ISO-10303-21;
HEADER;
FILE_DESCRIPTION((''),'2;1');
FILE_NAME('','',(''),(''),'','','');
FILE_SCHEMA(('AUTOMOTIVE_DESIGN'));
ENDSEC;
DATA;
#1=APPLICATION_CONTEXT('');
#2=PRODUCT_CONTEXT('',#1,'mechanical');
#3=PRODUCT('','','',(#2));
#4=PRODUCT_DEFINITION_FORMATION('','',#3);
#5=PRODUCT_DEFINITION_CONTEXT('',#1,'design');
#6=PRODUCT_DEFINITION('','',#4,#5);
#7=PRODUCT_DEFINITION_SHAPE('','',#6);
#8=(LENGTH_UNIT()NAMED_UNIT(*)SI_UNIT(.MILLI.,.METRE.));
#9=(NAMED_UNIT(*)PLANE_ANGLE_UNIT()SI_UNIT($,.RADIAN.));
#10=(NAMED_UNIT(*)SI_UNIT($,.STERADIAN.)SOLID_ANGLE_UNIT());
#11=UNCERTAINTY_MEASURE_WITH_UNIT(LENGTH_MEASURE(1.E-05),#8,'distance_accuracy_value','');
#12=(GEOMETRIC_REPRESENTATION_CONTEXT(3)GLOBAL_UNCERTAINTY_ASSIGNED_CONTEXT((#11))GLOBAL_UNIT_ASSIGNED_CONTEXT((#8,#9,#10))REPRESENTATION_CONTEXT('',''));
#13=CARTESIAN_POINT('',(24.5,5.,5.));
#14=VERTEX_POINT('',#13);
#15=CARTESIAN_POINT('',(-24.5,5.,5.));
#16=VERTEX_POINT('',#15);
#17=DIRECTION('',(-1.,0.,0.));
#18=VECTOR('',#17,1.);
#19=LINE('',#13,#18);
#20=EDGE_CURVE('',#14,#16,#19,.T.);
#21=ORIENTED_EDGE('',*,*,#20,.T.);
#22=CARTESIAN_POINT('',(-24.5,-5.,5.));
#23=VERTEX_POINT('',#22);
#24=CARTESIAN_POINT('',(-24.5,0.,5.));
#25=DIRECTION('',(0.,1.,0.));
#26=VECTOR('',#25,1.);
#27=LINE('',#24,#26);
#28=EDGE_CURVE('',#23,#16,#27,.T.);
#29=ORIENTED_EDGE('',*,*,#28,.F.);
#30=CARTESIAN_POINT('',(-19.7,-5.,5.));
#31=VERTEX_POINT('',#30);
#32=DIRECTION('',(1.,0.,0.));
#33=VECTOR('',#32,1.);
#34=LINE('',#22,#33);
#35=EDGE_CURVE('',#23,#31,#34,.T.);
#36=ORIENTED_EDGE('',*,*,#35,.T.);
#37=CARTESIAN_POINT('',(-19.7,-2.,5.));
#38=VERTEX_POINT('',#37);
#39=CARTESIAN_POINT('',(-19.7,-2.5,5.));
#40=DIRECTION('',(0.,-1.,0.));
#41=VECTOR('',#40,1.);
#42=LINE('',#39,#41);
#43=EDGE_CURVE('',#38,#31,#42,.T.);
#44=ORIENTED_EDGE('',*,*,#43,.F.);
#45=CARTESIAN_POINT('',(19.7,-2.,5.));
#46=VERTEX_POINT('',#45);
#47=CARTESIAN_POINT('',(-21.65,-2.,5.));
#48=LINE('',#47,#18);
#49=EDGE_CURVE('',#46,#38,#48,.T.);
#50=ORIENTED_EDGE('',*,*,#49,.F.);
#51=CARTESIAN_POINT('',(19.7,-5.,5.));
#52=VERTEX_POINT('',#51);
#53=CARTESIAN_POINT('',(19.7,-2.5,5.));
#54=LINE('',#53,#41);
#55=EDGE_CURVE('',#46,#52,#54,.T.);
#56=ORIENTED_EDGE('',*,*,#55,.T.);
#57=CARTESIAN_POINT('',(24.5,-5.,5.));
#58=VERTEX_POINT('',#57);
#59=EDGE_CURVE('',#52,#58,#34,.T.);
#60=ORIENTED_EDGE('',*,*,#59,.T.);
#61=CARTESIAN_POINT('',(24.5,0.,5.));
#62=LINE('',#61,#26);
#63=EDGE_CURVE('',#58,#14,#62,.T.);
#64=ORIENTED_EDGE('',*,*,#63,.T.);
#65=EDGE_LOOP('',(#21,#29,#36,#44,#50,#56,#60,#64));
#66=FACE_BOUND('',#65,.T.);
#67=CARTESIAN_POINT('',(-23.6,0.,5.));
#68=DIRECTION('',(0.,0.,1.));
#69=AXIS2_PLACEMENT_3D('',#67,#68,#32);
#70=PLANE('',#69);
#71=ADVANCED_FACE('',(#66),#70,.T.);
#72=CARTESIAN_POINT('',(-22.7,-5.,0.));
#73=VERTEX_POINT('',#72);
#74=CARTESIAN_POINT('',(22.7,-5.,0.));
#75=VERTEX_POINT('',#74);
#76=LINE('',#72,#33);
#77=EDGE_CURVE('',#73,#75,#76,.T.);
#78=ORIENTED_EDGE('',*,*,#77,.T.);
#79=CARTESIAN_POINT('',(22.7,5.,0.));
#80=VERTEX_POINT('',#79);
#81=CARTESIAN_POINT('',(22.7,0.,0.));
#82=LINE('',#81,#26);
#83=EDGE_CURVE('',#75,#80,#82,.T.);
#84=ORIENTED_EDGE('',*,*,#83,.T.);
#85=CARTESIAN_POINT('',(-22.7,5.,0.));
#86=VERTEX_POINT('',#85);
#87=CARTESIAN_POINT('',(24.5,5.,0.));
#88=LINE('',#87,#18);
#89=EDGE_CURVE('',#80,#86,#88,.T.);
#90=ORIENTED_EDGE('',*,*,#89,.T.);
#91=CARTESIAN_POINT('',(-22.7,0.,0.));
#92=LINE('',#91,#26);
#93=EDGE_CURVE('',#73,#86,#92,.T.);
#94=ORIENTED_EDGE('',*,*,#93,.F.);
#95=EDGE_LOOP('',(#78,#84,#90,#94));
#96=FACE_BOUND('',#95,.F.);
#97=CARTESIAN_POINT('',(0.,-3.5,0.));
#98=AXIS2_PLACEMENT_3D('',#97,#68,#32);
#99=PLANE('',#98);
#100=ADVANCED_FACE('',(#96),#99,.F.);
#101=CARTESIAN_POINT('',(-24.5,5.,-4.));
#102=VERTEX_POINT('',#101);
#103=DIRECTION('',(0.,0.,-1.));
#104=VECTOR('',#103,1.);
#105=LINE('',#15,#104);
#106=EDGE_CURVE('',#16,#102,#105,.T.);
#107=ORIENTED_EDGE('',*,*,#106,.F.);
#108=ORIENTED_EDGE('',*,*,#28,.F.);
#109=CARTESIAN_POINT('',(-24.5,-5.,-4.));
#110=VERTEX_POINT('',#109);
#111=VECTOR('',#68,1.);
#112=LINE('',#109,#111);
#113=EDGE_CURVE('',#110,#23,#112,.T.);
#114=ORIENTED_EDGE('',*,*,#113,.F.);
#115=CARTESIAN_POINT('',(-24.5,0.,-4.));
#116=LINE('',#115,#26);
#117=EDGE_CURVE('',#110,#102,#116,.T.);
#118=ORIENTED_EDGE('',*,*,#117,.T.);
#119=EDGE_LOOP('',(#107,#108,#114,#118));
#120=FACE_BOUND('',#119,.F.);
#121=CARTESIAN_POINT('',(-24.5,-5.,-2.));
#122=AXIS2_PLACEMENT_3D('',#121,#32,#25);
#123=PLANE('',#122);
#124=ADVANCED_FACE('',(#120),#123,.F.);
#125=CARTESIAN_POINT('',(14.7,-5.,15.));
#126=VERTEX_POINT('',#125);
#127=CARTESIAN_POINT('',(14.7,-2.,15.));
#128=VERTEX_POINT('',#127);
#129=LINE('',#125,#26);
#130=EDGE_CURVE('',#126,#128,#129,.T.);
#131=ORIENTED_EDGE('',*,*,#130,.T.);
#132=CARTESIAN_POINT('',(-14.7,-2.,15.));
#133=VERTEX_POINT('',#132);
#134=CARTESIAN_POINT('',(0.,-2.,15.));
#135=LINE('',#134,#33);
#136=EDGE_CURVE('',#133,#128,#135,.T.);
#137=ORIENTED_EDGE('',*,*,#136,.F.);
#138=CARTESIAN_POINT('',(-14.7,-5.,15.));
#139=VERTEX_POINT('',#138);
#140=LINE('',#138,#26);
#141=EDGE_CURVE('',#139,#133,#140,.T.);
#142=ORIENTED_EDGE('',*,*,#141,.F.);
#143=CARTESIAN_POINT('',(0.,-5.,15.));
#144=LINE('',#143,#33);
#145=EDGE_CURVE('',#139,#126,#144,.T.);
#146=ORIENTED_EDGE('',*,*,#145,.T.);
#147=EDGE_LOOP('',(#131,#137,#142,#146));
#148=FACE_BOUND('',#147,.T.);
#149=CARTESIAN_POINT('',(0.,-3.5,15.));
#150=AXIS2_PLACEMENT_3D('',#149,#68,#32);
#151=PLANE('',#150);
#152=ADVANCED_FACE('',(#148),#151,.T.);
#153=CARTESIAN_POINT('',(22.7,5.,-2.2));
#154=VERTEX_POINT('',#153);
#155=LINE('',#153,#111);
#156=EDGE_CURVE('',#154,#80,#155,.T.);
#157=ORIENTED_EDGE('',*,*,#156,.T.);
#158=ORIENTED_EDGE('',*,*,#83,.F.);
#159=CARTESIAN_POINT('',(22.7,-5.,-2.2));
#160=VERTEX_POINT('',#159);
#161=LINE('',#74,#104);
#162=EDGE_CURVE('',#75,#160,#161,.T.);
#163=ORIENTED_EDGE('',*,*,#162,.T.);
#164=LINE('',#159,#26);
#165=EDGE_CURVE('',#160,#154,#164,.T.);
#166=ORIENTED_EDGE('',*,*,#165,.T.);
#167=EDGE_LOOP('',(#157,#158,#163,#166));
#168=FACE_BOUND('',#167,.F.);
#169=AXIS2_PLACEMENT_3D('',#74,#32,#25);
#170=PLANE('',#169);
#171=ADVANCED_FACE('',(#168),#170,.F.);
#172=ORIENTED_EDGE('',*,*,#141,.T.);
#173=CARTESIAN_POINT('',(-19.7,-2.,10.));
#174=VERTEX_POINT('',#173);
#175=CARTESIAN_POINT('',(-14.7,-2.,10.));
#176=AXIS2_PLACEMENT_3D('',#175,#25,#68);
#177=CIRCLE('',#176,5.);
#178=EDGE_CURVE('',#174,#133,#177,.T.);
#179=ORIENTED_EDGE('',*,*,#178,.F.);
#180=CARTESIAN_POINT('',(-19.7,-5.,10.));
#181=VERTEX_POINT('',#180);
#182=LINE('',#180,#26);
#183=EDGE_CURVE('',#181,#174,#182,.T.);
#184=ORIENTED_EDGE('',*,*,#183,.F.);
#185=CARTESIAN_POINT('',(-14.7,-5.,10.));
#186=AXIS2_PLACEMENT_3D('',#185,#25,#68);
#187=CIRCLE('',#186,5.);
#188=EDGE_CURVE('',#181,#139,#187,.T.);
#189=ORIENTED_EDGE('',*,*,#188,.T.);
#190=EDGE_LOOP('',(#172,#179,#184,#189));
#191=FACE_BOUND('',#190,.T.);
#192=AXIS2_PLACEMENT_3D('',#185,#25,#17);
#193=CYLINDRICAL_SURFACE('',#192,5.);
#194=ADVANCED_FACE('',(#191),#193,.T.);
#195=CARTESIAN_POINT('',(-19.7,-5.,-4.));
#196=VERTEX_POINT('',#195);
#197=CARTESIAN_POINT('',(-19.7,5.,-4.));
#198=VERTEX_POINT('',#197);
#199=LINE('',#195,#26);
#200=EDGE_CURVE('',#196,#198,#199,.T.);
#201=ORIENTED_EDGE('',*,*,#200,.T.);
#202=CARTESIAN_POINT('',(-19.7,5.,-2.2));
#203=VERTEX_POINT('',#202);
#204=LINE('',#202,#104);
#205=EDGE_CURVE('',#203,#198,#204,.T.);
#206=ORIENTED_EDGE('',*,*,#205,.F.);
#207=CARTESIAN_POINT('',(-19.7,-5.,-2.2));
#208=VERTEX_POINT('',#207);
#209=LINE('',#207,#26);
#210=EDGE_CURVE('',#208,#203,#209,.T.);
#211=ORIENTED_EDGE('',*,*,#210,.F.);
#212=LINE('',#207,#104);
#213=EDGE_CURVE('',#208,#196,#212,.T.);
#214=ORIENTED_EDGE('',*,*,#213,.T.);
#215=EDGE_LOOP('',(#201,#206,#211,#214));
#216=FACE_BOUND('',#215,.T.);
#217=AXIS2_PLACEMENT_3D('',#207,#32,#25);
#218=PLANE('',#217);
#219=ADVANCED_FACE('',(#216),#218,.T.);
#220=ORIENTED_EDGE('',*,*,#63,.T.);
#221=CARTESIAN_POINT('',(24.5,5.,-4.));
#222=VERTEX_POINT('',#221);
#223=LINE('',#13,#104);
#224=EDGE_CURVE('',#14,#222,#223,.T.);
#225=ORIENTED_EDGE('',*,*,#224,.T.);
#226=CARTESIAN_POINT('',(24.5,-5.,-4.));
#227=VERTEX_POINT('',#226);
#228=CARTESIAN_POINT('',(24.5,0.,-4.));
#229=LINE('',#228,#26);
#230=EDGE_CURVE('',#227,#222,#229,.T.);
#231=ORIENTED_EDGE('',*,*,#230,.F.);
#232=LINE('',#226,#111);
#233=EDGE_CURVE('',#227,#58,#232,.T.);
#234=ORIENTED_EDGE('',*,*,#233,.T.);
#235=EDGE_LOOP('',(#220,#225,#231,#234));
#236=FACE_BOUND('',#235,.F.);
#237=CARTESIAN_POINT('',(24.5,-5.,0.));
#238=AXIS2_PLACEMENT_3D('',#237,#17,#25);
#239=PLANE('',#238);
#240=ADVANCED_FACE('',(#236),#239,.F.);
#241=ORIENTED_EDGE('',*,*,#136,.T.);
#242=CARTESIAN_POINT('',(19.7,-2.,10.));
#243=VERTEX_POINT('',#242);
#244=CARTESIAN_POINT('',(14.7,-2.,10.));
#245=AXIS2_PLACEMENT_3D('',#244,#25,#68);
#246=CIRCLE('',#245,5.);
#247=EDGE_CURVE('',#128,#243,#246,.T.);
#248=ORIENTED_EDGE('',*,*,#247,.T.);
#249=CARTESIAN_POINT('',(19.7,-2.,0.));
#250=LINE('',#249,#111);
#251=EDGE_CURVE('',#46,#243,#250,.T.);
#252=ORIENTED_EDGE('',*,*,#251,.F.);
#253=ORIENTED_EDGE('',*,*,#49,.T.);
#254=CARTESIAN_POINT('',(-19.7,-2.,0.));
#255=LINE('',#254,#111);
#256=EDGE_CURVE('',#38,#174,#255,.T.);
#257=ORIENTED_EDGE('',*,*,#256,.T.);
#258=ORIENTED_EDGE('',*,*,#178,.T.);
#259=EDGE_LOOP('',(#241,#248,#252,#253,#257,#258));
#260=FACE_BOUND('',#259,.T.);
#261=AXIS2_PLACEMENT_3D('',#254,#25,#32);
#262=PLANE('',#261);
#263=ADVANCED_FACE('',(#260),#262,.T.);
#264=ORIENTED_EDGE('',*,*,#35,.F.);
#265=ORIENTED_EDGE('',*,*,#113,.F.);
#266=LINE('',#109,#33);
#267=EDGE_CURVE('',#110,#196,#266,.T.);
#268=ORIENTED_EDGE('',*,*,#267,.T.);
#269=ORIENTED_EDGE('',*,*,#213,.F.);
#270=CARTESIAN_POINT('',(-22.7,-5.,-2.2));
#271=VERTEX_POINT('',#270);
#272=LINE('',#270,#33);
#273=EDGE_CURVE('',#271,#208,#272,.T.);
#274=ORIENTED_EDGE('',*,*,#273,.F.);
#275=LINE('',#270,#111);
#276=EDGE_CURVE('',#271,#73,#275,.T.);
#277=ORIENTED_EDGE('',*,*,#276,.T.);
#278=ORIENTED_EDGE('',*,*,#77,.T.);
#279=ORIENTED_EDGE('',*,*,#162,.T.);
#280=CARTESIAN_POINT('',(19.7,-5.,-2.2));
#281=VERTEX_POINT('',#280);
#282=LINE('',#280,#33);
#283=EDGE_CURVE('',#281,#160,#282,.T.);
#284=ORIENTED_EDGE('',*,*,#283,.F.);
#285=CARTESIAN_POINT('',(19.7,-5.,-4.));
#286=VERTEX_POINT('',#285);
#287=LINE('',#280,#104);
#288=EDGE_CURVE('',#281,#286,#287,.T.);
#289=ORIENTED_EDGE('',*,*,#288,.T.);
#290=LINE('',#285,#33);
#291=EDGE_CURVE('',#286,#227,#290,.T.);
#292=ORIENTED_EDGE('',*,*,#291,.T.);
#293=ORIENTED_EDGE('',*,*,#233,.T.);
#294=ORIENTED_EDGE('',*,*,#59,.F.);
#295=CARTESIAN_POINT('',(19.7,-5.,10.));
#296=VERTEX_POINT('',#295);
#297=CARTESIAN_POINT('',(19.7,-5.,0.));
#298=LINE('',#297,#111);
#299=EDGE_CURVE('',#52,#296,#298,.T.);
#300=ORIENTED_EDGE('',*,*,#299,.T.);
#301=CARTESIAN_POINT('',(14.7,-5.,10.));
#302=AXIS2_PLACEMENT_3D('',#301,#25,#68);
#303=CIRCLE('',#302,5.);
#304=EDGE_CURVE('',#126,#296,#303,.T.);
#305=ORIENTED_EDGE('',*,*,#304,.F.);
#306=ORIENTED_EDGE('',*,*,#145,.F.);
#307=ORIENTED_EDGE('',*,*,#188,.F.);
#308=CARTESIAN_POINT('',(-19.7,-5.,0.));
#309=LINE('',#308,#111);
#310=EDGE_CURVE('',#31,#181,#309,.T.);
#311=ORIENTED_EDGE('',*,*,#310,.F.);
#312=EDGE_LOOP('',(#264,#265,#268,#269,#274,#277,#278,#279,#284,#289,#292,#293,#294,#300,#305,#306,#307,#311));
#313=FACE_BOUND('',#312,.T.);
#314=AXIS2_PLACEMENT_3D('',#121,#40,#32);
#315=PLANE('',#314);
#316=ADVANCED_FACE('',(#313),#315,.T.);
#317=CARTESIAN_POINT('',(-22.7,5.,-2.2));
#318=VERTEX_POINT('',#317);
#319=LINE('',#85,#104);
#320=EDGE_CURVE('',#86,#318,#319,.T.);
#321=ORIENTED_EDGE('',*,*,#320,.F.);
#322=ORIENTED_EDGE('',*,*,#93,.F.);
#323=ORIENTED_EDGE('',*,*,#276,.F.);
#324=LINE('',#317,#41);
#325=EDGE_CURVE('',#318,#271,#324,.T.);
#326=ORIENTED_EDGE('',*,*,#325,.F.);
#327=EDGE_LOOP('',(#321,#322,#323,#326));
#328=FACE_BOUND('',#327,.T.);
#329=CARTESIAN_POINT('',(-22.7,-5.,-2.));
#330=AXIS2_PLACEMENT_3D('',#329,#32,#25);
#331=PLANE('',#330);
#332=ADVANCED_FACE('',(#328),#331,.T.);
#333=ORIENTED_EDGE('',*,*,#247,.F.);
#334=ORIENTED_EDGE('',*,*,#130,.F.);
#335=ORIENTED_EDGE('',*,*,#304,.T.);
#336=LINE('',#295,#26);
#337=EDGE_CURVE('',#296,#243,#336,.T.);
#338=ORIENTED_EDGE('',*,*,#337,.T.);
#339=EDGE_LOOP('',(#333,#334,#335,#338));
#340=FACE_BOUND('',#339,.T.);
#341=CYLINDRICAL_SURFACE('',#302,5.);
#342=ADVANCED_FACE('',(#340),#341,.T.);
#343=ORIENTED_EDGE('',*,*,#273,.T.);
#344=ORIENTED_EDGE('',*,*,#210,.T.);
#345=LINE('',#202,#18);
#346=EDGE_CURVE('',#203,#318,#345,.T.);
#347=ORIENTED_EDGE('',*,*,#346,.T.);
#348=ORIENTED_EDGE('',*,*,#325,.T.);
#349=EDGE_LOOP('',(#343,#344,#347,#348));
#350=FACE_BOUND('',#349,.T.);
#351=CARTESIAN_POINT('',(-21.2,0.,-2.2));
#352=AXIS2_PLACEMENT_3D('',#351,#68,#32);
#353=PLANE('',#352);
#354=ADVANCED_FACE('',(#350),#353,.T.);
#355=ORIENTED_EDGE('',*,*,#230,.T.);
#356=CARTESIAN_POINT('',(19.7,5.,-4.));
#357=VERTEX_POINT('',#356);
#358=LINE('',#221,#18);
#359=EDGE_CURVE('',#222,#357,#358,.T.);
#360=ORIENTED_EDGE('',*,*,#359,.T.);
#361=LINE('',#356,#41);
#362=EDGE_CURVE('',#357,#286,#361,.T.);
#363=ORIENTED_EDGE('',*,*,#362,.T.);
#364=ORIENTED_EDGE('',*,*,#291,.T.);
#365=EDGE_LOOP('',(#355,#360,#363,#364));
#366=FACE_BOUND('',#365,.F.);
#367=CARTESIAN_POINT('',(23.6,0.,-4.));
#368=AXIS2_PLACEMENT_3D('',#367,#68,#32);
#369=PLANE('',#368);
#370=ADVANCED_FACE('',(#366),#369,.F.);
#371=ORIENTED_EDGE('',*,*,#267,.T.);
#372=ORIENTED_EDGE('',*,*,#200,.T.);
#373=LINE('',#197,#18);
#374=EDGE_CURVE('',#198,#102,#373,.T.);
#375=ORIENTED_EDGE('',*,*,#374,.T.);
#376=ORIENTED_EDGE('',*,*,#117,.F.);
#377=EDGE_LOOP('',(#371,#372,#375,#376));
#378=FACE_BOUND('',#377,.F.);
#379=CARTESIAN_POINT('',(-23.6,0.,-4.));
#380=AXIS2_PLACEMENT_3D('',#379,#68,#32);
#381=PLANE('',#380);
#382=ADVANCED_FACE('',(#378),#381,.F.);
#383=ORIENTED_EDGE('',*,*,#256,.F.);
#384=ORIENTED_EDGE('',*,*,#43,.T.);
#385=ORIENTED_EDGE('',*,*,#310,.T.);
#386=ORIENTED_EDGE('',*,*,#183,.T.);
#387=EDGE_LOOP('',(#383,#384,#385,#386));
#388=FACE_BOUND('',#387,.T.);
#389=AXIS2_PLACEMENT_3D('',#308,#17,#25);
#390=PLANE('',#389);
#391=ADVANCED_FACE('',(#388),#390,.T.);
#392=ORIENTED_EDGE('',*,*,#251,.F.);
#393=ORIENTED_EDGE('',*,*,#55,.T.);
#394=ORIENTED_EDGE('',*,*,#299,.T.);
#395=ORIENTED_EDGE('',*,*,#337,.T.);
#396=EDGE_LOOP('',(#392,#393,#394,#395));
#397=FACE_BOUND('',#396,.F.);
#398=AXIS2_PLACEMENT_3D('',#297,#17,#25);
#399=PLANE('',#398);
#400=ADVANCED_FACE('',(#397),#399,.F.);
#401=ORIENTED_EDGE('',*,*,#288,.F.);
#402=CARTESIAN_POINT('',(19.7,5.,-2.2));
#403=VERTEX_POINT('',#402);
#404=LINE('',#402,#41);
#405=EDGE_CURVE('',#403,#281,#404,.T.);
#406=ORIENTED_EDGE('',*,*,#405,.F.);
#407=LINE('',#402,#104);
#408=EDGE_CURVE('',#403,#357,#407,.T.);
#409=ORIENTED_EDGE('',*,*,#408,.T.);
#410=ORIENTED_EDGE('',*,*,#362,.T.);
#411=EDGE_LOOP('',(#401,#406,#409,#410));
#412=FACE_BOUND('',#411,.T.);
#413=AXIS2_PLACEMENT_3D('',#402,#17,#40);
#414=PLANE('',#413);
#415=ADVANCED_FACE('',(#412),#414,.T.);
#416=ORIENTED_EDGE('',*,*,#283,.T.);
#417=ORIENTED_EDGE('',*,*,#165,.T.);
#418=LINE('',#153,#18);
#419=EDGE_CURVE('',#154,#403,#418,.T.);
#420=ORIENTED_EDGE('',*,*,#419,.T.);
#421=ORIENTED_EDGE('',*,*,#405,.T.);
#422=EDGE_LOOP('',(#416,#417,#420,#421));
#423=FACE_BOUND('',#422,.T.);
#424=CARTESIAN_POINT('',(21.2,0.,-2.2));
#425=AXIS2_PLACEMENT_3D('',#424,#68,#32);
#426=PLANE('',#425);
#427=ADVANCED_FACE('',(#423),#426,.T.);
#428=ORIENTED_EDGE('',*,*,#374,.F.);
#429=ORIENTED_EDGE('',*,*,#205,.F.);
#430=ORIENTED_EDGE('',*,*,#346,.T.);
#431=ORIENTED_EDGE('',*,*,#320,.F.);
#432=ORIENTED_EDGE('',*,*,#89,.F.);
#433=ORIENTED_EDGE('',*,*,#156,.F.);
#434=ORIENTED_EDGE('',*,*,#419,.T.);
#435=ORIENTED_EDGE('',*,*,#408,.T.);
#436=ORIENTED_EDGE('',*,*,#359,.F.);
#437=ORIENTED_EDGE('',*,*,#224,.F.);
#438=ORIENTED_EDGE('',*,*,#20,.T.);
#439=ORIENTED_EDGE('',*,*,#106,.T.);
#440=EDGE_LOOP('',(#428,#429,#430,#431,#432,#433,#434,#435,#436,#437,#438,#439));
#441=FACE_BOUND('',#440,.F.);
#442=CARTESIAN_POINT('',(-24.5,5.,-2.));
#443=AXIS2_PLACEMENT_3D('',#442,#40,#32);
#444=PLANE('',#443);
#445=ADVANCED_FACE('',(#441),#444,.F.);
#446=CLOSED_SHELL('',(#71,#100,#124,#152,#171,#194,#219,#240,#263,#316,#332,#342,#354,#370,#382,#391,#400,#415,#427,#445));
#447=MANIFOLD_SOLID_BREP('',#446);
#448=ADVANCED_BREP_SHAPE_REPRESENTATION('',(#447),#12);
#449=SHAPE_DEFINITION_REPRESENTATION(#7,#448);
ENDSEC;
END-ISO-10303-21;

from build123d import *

# Parameters (mm, degrees)
F0_W     = 1.8
F0_H     = 10
F0_W_2   = 39.4
F0_H_2   = 7
F0_H_3   = 3
F1_DEPTH = 5
F2_DEPTH = 2
F3_START = -2.2
F3_DEPTH = 1.8
F4_START = -2
F4_DEPTH = 2
F5_DEPTH = 15
F6_R     = 5


with BuildPart() as f1:
    # F0 (on Top) → F1 (new body)
    with BuildSketch(Plane.XY):
        with Locations((-23.6, 0)):
            Rectangle(F0_W, F0_H)
        Polygon((-19.7, -2), (-19.7, 5), (-22.7, 5), (-22.7, -5), (-19.7, -5), align=None)
        with Locations((0, 1.5)):
            Rectangle(F0_W_2, F0_H_2)
        Polygon((22.7, -5), (22.7, 5), (19.7, 5), (19.7, -2), (19.7, -5), align=None)
        with Locations((23.6, 0)):
            Rectangle(F0_W, F0_H)
        with Locations((0, -3.5)):
            Rectangle(F0_W_2, F0_H_3)
    extrude(amount=F1_DEPTH)

    # F0 (on Top) → F2 (join)
    with BuildSketch(Plane.XY):
        with Locations((-23.6, 0)):
            Rectangle(F0_W, F0_H)
        with Locations((23.6, 0)):
            Rectangle(F0_W, F0_H)
    extrude(amount=-F2_DEPTH)



with BuildPart() as f3:
    # F0 (on Top) → F3 (new body)
    with BuildSketch(Plane.XY.offset(F3_START)):
        Polygon((-19.7, -2), (-19.7, 5), (-22.7, 5), (-22.7, -5), (-19.7, -5), align=None)
    extrude(amount=-F3_DEPTH)


with BuildPart() as f3b:
    # F0 (on Top) → F3, piece 2 (new body)
    with BuildSketch(Plane.XY.offset(F3_START)):
        Polygon((22.7, -5), (22.7, 5), (19.7, 5), (19.7, -2), (19.7, -5), align=None)
    extrude(amount=-F3_DEPTH)


with BuildPart() as f1_1:
    add(f1.part)

    add(f3.part)  # F4 merges F3

    add(f3b.part)  # F4 merges F3b
    # F0 (on Top) → F4 (join)
    with BuildSketch(Plane.XY.offset(F4_START)):
        with Locations((-23.6, 0)):
            Rectangle(F0_W, F0_H)
        with Locations((23.6, 0)):
            Rectangle(F0_W, F0_H)
    extrude(amount=-F4_DEPTH)

    # F0 (on Top) → F5 (join)
    with BuildSketch(Plane.XY):
        with Locations((0, -3.5)):
            Rectangle(F0_W_2, F0_H_3)
    extrude(amount=F5_DEPTH)

    # F6
    f6_edges = [f1_1.edges().sort_by_distance(p)[0] for p in [
        (-19.7, -3.5, 15),
        (19.7, -3.5, 15),
    ]]
    fillet(f6_edges, radius=F6_R)


solid = f1_1.part
